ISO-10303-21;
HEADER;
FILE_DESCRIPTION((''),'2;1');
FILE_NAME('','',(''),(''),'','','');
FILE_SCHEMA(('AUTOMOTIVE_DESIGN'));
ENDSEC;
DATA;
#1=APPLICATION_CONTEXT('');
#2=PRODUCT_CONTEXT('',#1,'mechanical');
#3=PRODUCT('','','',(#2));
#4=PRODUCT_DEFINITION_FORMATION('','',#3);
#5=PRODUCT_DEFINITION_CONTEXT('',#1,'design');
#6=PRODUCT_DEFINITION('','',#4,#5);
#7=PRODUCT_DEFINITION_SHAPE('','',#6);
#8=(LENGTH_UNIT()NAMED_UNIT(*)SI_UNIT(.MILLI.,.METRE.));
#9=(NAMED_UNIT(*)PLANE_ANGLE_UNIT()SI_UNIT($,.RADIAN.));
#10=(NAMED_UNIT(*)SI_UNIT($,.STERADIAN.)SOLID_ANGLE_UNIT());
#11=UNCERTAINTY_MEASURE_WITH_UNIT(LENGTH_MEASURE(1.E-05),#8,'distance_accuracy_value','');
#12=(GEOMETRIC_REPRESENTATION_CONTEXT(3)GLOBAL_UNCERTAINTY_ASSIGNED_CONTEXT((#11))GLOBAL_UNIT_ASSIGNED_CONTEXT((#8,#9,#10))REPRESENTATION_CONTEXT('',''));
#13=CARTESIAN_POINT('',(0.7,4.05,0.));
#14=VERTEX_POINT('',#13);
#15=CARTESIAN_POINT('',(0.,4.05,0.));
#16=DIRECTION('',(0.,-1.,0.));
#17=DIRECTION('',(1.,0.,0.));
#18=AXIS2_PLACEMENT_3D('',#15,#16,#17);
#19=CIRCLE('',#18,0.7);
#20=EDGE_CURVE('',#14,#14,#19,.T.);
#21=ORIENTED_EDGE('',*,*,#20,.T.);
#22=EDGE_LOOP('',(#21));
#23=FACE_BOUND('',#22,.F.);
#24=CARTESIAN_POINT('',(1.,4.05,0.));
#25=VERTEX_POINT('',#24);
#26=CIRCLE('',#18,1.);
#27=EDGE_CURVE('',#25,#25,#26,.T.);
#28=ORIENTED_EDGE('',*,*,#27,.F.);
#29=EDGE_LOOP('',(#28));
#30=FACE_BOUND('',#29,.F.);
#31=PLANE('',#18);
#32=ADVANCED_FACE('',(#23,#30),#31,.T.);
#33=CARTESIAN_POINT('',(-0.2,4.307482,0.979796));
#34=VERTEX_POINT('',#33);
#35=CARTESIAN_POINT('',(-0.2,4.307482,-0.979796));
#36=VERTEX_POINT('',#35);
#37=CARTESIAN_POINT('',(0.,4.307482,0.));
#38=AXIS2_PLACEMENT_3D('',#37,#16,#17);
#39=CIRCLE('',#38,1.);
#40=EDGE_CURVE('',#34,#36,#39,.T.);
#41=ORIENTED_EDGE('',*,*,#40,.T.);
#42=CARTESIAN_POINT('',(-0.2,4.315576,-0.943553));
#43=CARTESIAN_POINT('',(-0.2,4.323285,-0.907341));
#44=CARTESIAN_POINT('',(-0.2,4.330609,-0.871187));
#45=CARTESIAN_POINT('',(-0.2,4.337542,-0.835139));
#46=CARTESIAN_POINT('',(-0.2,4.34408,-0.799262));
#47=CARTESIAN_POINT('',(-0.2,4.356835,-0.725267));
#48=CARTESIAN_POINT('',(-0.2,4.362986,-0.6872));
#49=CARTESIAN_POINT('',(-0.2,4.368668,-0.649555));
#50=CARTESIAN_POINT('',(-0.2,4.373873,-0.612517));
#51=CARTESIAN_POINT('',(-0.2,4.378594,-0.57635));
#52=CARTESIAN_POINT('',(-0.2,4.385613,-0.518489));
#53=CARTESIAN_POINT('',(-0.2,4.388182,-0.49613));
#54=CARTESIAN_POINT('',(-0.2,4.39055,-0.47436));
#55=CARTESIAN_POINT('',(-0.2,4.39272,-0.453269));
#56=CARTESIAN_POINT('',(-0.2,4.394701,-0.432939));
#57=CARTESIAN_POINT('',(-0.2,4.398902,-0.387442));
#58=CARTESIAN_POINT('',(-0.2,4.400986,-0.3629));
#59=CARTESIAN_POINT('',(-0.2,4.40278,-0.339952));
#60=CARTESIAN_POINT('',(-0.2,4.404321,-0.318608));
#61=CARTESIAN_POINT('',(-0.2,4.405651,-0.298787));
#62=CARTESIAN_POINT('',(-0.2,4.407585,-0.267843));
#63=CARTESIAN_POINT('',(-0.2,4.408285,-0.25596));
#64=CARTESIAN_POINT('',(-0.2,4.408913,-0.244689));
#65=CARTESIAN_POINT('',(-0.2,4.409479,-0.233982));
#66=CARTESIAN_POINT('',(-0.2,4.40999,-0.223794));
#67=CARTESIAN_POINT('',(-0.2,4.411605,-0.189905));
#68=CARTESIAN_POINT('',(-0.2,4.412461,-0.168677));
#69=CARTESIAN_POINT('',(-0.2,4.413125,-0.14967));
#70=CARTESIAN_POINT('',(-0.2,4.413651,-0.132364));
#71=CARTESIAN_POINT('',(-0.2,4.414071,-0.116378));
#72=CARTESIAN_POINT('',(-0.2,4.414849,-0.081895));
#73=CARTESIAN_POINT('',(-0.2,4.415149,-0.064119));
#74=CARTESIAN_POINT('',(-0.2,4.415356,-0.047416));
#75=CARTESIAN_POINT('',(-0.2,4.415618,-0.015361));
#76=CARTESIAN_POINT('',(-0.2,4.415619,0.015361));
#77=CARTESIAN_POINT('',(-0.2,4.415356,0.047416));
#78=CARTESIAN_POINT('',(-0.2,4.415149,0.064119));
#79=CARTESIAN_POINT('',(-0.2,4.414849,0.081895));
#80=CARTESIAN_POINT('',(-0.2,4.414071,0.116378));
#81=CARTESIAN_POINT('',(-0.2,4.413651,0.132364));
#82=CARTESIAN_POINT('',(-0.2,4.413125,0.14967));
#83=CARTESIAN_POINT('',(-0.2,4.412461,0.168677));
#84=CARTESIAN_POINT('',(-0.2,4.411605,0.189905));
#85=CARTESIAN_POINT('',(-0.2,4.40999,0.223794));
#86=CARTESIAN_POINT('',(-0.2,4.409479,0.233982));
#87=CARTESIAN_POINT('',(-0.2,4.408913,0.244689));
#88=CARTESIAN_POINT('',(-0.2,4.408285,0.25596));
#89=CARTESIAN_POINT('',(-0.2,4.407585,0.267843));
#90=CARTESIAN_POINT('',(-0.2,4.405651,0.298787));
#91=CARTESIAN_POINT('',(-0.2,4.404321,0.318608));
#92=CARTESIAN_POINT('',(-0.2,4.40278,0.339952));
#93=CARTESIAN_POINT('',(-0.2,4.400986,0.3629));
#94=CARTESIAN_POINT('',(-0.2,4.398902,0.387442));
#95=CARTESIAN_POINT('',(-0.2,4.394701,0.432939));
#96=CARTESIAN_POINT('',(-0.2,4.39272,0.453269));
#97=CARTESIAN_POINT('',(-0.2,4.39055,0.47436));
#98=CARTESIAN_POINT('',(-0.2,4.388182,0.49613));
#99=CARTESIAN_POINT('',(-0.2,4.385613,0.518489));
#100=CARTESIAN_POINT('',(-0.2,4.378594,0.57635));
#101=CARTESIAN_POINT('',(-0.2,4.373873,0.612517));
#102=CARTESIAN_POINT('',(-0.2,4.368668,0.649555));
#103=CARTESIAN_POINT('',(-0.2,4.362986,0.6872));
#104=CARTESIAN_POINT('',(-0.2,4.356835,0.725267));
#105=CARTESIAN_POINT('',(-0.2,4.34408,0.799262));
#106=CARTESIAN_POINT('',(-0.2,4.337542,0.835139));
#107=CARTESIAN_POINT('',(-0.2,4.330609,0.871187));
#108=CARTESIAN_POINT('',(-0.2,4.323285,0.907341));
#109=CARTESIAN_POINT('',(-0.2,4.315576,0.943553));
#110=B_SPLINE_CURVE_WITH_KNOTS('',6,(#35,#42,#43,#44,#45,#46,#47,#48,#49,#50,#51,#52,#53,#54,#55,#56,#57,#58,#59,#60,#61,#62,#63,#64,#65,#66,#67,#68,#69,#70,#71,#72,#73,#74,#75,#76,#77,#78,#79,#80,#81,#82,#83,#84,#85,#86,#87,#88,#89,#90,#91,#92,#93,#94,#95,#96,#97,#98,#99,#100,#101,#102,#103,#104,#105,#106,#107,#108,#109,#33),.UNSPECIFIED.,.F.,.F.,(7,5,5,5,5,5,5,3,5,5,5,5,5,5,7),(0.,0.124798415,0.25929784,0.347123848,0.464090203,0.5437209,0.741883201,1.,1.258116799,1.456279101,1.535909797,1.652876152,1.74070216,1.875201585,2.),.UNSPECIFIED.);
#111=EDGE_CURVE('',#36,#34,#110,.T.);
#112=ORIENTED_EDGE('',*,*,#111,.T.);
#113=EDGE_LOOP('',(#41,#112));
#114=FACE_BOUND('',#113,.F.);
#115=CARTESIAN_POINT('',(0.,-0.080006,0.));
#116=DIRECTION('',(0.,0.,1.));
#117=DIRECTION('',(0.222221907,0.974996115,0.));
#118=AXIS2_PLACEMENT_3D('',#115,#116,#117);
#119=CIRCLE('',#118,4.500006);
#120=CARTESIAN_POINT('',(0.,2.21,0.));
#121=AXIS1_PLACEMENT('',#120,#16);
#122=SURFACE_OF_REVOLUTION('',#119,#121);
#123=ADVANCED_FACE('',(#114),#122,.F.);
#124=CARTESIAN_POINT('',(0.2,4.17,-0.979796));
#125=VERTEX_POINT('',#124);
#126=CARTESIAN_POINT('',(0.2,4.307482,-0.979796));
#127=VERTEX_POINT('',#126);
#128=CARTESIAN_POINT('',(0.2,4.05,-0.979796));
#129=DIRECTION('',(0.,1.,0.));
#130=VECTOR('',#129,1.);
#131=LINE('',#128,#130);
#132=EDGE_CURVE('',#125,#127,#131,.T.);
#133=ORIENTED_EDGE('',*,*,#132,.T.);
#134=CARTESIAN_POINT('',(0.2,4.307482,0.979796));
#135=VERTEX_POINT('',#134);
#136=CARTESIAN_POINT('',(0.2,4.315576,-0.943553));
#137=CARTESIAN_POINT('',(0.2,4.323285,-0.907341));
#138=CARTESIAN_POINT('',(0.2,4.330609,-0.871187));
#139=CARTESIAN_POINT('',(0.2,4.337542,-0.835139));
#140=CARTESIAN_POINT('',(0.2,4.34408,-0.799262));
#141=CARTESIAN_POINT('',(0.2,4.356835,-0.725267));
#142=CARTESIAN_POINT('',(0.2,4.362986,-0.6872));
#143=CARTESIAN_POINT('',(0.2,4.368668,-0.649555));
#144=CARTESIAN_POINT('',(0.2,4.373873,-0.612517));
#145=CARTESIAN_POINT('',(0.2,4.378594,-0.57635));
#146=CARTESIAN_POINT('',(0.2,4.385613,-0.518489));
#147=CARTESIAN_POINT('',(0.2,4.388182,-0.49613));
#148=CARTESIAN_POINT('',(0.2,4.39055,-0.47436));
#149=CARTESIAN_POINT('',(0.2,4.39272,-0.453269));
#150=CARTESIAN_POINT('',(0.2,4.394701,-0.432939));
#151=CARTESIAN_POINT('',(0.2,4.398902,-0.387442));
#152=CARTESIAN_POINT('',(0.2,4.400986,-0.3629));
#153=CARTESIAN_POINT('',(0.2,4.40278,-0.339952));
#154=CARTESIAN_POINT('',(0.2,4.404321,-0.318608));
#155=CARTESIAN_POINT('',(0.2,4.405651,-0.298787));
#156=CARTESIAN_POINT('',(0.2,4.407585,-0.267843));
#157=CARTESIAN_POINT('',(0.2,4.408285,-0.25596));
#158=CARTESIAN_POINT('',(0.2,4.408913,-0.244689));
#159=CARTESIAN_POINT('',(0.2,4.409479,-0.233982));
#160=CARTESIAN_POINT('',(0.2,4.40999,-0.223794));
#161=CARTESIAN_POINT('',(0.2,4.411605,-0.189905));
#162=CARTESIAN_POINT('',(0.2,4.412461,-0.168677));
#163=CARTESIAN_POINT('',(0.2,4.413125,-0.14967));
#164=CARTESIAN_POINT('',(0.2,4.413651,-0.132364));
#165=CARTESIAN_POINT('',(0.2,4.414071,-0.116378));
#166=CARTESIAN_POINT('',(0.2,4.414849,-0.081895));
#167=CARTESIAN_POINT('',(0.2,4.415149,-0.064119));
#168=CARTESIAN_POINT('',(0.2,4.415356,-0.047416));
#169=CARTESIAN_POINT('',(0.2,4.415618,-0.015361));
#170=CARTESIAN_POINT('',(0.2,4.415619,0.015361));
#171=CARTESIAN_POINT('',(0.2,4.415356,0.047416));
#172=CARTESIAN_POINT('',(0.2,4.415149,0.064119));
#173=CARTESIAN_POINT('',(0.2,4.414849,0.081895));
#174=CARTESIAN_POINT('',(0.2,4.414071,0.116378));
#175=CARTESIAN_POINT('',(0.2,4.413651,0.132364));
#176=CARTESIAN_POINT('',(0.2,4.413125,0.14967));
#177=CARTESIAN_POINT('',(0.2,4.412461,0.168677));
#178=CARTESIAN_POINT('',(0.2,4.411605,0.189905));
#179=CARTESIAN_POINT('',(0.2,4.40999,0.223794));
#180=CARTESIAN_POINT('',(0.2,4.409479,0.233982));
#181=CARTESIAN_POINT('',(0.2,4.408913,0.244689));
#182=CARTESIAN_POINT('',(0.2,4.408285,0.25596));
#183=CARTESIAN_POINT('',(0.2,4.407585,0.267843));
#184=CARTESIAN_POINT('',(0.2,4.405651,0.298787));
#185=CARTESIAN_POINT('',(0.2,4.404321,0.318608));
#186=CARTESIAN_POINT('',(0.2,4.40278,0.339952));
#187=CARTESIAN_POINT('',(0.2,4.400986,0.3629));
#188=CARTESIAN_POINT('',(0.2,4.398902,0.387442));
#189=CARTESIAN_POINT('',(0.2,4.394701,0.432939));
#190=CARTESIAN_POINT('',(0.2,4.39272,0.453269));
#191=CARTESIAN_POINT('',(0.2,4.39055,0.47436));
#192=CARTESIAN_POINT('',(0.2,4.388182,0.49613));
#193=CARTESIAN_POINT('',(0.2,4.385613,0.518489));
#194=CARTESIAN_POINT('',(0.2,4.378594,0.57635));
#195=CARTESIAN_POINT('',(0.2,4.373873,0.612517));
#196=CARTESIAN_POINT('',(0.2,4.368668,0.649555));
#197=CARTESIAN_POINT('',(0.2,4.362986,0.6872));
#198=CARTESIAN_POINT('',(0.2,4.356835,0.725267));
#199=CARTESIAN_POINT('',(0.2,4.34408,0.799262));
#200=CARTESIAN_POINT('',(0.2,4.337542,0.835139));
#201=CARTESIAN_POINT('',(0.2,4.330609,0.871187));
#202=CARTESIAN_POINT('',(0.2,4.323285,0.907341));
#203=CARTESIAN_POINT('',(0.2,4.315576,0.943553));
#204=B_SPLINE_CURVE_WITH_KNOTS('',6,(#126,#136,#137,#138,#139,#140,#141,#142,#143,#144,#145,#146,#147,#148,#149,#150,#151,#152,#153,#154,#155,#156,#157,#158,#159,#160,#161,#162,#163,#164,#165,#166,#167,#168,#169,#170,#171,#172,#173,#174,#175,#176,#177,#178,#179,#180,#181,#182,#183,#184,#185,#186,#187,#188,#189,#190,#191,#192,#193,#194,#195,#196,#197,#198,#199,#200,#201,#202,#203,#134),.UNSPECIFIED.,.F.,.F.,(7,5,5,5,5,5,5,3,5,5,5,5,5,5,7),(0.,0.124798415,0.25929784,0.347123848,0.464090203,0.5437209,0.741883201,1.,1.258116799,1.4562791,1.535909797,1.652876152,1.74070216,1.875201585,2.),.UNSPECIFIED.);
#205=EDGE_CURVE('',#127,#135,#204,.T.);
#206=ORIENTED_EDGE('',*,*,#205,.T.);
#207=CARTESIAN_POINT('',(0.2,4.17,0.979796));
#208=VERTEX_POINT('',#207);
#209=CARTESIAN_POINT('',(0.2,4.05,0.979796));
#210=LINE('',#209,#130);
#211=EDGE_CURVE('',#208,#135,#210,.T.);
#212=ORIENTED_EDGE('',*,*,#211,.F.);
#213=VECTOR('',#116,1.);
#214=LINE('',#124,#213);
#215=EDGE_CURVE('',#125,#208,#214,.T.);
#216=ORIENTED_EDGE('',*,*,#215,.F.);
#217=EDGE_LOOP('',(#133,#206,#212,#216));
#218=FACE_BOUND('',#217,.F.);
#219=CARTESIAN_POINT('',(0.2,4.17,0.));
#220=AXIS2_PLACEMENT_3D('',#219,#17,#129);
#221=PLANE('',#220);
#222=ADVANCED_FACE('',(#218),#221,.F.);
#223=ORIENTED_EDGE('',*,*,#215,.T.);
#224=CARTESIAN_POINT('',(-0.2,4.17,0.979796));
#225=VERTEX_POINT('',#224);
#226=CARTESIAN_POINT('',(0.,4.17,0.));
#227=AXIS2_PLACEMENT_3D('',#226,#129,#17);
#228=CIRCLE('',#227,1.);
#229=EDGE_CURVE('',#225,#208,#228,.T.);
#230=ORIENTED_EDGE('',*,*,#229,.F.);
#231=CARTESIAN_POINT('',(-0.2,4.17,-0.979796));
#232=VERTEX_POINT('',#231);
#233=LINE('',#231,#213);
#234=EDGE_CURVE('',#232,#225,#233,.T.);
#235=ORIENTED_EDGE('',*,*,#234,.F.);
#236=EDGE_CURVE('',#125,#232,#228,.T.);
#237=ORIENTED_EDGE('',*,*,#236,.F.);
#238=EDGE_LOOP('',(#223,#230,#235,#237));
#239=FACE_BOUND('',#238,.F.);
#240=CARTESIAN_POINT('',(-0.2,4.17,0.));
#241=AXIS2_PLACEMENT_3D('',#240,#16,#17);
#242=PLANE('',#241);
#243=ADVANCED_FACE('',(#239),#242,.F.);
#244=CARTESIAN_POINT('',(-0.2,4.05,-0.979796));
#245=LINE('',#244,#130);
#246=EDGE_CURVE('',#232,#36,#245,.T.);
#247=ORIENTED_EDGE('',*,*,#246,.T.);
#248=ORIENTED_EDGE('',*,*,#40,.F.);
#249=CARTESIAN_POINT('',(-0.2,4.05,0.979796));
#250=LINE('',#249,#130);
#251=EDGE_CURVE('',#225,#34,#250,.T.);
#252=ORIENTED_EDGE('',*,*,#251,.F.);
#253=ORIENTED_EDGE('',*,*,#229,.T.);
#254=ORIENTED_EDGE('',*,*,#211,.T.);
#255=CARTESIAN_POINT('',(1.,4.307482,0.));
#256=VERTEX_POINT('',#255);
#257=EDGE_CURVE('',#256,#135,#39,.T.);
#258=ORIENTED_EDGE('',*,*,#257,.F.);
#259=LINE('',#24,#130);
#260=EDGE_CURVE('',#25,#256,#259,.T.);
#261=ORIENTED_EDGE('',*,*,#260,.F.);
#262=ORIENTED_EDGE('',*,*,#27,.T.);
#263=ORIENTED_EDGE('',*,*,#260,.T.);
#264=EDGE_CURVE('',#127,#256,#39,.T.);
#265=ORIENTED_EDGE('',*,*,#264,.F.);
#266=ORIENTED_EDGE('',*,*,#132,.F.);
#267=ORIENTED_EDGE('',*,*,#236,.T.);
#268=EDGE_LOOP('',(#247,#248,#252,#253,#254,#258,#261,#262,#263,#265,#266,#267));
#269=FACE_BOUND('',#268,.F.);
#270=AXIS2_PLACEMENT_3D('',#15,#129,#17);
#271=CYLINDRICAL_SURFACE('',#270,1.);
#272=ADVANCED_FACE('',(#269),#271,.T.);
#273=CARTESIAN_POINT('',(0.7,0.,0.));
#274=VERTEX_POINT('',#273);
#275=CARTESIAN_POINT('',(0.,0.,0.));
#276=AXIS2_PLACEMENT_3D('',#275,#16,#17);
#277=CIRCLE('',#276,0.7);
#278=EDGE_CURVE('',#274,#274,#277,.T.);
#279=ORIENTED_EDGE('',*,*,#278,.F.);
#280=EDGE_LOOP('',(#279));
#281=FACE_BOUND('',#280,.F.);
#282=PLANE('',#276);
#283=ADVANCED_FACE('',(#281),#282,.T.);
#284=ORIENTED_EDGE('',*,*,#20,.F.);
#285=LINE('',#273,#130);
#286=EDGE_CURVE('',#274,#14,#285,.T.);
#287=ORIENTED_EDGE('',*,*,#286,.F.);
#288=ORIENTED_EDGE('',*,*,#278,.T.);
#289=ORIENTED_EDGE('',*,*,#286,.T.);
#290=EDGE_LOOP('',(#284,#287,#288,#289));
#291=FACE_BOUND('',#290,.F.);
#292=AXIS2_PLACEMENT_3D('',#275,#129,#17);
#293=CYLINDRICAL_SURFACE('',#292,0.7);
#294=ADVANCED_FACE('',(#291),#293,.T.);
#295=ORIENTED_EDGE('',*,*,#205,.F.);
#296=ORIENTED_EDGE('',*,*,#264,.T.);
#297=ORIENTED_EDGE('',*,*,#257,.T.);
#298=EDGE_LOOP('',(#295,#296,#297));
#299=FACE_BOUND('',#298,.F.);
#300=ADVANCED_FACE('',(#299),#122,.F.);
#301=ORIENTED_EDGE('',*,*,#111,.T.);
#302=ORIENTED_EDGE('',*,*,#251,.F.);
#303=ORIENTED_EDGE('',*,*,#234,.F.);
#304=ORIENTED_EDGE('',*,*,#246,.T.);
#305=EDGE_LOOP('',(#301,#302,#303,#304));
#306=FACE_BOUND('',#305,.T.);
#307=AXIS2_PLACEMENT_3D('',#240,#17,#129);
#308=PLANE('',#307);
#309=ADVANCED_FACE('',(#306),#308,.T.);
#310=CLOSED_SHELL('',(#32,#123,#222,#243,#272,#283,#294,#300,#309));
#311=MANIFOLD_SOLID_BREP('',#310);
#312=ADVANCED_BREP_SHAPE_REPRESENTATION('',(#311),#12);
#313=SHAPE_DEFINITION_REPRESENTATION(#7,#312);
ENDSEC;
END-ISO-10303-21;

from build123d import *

# Parameters (mm, degrees)
F0_W     = 0.2
F0_H     = 0.25
F2_DEPTH = 12.5


with BuildPart() as f1:
    # F0 (on Top) → F1 (revolve)
    with BuildSketch(Plane.XY):
        with BuildLine():
            Line((0, 4.17), (0, 0))
            Line((0, 0), (0.7, 0))
            Line((0.7, 0), (0.7, 4.05))
            Line((0.7, 4.05), (1, 4.05))
            Line((1, 4.05), (1, 4.307482))
            ThreePointArc((1, 4.307482), (0.602428, 4.379493), (0.2, 4.415553))
            Line((0.2, 4.415553), (0.2, 4.17))
            Line((0.2, 4.17), (0, 4.17))
        make_face()
    revolve(axis=Axis((0, 2.21, 0), (0, -1, 0)))

    # F0 (on Top) → F2 (cut, symmetric)
    with BuildSketch(Plane.XY):
        with BuildLine():
            Line((0, 4.42), (0, 4.17))
            Line((0, 4.17), (0.2, 4.17))
            Line((0.2, 4.17), (0.2, 4.415553))
            ThreePointArc((0.2, 4.415553), (0.100025, 4.418888), (0, 4.42))
        make_face()
        with Locations((-0.1, 4.295)):
            Rectangle(F0_W, F0_H)
    extrude(amount=F2_DEPTH, both=True, mode=Mode.SUBTRACT)


solid = f1.part
